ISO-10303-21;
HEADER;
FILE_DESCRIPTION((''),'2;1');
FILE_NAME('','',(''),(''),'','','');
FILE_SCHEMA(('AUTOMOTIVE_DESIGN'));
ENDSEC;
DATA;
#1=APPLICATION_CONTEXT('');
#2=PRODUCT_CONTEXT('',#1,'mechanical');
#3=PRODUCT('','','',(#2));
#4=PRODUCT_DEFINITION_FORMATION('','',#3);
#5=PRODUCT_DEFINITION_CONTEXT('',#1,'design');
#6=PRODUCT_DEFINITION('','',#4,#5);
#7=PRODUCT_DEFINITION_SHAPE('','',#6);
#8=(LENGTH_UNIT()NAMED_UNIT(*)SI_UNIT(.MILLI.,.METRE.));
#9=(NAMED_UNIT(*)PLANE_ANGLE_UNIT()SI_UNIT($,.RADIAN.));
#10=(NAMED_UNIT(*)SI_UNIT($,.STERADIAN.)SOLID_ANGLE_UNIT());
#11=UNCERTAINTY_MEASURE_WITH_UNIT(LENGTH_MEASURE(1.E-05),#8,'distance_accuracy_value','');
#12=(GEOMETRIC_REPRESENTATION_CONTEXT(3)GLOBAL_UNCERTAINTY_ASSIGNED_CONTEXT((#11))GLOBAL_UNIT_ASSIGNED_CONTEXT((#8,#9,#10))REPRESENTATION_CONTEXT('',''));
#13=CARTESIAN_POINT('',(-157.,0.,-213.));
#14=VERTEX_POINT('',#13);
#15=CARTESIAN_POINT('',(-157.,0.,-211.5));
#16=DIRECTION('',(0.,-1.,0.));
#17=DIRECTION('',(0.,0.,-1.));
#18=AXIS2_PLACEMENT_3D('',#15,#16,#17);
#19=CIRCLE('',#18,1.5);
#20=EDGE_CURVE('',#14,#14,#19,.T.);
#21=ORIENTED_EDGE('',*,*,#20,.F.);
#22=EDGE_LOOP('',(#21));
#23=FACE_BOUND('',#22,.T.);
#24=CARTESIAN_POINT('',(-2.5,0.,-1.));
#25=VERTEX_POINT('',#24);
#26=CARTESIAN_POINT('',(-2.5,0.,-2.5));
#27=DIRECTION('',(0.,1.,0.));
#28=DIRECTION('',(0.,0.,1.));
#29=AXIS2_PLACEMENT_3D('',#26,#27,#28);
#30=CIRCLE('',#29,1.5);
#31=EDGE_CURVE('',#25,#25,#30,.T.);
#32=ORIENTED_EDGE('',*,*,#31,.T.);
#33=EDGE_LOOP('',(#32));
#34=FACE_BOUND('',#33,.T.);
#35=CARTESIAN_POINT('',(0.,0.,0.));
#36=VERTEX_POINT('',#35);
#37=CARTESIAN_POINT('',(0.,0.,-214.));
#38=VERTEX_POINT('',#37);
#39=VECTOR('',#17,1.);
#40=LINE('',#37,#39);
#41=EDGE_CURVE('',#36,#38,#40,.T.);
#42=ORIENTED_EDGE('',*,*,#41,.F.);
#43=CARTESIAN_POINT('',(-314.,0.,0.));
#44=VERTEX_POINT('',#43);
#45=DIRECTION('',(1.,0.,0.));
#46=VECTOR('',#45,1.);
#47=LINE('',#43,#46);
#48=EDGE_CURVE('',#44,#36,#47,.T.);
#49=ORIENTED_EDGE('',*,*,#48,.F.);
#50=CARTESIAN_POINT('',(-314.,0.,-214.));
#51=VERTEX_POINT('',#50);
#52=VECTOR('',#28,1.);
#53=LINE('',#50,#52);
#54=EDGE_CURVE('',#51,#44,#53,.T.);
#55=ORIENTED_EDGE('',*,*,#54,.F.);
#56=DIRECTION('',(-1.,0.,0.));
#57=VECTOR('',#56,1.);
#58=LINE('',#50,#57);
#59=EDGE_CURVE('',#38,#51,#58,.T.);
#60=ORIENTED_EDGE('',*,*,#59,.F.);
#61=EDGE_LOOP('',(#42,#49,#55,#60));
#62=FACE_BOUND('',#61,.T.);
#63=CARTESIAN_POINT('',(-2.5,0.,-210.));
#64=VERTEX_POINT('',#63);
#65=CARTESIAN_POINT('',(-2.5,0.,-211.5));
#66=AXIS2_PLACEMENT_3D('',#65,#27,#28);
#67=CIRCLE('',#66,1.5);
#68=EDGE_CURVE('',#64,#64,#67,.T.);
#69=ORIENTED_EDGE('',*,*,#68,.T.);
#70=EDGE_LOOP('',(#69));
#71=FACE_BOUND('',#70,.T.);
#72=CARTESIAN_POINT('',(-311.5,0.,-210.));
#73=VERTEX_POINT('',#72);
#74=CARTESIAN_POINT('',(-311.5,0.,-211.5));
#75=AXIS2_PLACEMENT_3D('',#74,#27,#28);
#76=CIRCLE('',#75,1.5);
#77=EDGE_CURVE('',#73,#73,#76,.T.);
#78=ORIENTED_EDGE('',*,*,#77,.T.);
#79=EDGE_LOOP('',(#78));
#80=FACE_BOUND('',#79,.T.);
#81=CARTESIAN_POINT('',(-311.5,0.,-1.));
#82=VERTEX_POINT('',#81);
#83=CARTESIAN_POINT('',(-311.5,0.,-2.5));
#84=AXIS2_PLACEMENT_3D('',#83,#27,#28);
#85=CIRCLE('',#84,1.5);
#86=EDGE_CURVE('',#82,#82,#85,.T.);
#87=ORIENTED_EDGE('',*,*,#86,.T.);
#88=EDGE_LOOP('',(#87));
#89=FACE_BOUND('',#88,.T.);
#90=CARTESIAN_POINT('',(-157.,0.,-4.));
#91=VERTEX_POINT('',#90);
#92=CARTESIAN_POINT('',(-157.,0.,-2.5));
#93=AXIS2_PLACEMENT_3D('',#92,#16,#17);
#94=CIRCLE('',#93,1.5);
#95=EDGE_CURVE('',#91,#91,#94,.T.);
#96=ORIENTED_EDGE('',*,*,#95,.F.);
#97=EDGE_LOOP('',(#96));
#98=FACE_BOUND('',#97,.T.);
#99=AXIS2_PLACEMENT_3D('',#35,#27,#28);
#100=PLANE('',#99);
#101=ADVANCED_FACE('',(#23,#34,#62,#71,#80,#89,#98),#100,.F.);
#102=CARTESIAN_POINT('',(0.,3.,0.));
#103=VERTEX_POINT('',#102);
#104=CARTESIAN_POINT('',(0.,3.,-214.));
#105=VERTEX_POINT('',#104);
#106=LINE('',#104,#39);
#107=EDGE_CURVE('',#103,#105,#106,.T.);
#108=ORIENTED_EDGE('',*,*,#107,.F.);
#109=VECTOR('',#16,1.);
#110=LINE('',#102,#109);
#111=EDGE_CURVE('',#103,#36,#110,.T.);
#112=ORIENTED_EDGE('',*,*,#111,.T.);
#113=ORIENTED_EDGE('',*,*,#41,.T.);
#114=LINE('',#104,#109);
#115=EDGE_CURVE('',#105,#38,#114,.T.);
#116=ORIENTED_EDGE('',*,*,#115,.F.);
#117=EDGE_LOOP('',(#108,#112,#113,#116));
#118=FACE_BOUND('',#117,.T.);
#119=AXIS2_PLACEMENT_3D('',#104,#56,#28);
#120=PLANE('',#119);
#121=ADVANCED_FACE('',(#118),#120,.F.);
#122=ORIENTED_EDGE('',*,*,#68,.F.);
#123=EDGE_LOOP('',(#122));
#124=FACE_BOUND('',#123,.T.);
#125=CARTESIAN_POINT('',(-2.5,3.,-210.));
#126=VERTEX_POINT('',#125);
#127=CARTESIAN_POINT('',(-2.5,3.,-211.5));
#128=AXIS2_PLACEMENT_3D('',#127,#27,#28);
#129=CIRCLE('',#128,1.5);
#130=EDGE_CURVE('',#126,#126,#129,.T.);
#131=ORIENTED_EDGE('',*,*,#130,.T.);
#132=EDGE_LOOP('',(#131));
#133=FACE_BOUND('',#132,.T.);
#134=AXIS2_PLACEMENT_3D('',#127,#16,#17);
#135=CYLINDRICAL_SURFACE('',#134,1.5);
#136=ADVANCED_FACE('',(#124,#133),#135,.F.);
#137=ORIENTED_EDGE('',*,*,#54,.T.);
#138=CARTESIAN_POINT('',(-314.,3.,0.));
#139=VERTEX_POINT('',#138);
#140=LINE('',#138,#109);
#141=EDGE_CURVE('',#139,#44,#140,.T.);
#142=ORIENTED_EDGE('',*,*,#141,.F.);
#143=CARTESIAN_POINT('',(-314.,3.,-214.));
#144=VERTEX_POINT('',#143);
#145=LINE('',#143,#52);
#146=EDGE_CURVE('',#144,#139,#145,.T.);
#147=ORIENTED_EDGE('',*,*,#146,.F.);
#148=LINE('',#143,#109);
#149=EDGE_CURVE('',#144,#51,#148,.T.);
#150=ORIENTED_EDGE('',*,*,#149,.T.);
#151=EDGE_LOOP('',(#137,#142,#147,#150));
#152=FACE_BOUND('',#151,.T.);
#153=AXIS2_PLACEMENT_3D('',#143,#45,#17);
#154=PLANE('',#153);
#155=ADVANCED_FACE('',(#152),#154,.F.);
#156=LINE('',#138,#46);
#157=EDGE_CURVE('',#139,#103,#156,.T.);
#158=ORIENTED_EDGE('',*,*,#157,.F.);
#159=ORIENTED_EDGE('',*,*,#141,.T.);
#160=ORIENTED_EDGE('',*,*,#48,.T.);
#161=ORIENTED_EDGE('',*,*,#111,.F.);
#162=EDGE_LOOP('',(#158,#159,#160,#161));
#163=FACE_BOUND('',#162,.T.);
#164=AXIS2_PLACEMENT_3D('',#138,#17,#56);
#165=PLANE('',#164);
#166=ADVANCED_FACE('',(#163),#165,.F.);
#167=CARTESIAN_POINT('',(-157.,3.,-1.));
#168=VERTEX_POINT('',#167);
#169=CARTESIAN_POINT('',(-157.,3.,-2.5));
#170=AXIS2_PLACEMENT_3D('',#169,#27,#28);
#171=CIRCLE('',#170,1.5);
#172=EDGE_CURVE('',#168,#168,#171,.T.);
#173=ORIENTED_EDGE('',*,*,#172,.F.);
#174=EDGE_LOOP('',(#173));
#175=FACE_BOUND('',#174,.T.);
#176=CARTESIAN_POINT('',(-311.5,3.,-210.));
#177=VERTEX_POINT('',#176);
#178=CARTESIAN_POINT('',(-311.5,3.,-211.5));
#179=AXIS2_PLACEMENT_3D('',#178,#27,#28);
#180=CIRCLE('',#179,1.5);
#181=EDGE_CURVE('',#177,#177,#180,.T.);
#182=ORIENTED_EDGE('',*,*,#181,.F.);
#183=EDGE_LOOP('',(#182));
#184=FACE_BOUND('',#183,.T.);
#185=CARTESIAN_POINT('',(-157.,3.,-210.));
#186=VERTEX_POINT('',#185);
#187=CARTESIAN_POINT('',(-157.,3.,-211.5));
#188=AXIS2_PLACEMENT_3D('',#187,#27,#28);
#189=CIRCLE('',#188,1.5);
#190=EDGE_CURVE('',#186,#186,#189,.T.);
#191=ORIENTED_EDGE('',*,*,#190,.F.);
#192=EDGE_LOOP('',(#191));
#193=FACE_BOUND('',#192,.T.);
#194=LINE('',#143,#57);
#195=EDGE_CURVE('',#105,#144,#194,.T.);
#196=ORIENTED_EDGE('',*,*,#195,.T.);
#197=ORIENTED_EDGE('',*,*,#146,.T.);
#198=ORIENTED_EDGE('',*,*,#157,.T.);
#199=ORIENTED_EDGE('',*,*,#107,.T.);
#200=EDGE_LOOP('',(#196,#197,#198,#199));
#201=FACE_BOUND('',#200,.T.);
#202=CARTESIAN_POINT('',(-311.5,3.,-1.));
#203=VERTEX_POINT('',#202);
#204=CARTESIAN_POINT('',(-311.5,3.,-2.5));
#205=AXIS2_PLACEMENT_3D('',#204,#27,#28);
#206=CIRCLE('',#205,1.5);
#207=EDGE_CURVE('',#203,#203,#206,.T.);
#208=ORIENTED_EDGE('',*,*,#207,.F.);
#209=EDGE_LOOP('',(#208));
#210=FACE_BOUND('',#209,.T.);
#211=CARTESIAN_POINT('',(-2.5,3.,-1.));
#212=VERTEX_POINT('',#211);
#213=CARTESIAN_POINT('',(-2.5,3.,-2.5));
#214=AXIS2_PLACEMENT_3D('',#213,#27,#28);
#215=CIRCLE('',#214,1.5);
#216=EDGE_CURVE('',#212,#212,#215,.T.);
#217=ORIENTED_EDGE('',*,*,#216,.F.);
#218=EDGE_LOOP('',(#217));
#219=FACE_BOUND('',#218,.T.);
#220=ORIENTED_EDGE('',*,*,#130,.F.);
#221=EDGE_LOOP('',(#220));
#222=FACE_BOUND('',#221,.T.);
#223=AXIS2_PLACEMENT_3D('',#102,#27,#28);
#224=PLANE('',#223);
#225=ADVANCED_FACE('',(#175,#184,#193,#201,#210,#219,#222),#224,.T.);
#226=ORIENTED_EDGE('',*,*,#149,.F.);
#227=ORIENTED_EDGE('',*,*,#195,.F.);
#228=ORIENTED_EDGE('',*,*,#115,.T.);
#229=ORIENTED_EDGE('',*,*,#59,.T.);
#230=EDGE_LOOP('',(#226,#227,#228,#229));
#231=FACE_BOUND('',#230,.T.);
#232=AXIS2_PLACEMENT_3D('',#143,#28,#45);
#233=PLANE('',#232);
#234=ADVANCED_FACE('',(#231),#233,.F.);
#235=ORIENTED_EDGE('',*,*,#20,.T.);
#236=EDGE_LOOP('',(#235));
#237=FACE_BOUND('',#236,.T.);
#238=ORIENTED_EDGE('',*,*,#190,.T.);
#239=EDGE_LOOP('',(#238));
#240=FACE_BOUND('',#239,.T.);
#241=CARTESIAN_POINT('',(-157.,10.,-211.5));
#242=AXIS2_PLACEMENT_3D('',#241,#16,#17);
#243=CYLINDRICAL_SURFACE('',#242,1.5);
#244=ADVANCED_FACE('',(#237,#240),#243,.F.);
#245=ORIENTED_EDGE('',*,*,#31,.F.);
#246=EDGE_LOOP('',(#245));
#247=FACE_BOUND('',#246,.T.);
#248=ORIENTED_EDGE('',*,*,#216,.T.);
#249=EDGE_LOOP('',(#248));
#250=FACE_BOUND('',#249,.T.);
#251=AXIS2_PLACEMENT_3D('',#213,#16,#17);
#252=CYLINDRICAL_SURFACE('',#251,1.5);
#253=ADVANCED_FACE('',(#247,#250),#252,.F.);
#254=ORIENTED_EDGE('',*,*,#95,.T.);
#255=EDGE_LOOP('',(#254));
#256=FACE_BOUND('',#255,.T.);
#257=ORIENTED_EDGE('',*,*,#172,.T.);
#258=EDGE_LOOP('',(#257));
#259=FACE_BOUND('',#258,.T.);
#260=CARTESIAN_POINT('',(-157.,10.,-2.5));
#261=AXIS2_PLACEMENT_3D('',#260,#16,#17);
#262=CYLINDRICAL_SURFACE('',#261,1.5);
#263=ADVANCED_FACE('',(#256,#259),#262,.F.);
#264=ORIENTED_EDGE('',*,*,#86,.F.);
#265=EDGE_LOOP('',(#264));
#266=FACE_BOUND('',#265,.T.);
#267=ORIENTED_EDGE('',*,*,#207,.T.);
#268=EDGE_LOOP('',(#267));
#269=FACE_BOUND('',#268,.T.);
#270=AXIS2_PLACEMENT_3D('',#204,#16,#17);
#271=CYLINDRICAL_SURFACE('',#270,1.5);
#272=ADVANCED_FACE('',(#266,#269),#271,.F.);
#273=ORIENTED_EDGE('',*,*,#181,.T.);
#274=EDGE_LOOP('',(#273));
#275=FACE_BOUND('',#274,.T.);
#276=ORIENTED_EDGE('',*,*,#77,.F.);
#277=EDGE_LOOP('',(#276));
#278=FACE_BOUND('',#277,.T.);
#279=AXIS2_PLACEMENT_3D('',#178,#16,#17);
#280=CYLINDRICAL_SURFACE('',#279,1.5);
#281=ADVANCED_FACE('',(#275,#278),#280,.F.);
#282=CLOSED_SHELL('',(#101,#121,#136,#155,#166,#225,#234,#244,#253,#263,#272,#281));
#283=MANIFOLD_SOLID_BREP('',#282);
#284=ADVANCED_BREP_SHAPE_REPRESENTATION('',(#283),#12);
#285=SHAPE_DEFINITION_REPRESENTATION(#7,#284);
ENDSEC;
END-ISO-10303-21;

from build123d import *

# Parameters (mm, degrees)
SKETCH1_W           = 314
SKETCH1_H           = 214
SKETCH1_R           = 1.5
BOSS_EXTRUDE1_DEPTH = 3
SKETCH2_R           = 1.5
CUT_EXTRUDE1_DEPTH  = 10


with BuildPart() as part:
    # Sketch1 → Boss-Extrude1 (new body)
    with BuildSketch(Plane(origin=(0, 0, 0), x_dir=(1, 0, 0), z_dir=(0, 1, 0))):
        with Locations((-157, 107)):
            Rectangle(SKETCH1_W, SKETCH1_H)
        with Locations((-311.5, 211.5)):
            Circle(SKETCH1_R, mode=Mode.SUBTRACT)
        with Locations((-311.5, 2.5)):
            Circle(SKETCH1_R, mode=Mode.SUBTRACT)
        with Locations((-2.5, 2.5)):
            Circle(SKETCH1_R, mode=Mode.SUBTRACT)
        with Locations((-2.5, 211.5)):
            Circle(SKETCH1_R, mode=Mode.SUBTRACT)
    extrude(amount=BOSS_EXTRUDE1_DEPTH)

    # Sketch2 → Cut-Extrude1 (cut)
    with BuildSketch(Plane.XZ):
        with Locations((-157, -2.5)):
            Circle(SKETCH2_R)
        with Locations((-157, -211.5)):
            Circle(SKETCH2_R)
    extrude(amount=-CUT_EXTRUDE1_DEPTH, mode=Mode.SUBTRACT)


solid = part.part
